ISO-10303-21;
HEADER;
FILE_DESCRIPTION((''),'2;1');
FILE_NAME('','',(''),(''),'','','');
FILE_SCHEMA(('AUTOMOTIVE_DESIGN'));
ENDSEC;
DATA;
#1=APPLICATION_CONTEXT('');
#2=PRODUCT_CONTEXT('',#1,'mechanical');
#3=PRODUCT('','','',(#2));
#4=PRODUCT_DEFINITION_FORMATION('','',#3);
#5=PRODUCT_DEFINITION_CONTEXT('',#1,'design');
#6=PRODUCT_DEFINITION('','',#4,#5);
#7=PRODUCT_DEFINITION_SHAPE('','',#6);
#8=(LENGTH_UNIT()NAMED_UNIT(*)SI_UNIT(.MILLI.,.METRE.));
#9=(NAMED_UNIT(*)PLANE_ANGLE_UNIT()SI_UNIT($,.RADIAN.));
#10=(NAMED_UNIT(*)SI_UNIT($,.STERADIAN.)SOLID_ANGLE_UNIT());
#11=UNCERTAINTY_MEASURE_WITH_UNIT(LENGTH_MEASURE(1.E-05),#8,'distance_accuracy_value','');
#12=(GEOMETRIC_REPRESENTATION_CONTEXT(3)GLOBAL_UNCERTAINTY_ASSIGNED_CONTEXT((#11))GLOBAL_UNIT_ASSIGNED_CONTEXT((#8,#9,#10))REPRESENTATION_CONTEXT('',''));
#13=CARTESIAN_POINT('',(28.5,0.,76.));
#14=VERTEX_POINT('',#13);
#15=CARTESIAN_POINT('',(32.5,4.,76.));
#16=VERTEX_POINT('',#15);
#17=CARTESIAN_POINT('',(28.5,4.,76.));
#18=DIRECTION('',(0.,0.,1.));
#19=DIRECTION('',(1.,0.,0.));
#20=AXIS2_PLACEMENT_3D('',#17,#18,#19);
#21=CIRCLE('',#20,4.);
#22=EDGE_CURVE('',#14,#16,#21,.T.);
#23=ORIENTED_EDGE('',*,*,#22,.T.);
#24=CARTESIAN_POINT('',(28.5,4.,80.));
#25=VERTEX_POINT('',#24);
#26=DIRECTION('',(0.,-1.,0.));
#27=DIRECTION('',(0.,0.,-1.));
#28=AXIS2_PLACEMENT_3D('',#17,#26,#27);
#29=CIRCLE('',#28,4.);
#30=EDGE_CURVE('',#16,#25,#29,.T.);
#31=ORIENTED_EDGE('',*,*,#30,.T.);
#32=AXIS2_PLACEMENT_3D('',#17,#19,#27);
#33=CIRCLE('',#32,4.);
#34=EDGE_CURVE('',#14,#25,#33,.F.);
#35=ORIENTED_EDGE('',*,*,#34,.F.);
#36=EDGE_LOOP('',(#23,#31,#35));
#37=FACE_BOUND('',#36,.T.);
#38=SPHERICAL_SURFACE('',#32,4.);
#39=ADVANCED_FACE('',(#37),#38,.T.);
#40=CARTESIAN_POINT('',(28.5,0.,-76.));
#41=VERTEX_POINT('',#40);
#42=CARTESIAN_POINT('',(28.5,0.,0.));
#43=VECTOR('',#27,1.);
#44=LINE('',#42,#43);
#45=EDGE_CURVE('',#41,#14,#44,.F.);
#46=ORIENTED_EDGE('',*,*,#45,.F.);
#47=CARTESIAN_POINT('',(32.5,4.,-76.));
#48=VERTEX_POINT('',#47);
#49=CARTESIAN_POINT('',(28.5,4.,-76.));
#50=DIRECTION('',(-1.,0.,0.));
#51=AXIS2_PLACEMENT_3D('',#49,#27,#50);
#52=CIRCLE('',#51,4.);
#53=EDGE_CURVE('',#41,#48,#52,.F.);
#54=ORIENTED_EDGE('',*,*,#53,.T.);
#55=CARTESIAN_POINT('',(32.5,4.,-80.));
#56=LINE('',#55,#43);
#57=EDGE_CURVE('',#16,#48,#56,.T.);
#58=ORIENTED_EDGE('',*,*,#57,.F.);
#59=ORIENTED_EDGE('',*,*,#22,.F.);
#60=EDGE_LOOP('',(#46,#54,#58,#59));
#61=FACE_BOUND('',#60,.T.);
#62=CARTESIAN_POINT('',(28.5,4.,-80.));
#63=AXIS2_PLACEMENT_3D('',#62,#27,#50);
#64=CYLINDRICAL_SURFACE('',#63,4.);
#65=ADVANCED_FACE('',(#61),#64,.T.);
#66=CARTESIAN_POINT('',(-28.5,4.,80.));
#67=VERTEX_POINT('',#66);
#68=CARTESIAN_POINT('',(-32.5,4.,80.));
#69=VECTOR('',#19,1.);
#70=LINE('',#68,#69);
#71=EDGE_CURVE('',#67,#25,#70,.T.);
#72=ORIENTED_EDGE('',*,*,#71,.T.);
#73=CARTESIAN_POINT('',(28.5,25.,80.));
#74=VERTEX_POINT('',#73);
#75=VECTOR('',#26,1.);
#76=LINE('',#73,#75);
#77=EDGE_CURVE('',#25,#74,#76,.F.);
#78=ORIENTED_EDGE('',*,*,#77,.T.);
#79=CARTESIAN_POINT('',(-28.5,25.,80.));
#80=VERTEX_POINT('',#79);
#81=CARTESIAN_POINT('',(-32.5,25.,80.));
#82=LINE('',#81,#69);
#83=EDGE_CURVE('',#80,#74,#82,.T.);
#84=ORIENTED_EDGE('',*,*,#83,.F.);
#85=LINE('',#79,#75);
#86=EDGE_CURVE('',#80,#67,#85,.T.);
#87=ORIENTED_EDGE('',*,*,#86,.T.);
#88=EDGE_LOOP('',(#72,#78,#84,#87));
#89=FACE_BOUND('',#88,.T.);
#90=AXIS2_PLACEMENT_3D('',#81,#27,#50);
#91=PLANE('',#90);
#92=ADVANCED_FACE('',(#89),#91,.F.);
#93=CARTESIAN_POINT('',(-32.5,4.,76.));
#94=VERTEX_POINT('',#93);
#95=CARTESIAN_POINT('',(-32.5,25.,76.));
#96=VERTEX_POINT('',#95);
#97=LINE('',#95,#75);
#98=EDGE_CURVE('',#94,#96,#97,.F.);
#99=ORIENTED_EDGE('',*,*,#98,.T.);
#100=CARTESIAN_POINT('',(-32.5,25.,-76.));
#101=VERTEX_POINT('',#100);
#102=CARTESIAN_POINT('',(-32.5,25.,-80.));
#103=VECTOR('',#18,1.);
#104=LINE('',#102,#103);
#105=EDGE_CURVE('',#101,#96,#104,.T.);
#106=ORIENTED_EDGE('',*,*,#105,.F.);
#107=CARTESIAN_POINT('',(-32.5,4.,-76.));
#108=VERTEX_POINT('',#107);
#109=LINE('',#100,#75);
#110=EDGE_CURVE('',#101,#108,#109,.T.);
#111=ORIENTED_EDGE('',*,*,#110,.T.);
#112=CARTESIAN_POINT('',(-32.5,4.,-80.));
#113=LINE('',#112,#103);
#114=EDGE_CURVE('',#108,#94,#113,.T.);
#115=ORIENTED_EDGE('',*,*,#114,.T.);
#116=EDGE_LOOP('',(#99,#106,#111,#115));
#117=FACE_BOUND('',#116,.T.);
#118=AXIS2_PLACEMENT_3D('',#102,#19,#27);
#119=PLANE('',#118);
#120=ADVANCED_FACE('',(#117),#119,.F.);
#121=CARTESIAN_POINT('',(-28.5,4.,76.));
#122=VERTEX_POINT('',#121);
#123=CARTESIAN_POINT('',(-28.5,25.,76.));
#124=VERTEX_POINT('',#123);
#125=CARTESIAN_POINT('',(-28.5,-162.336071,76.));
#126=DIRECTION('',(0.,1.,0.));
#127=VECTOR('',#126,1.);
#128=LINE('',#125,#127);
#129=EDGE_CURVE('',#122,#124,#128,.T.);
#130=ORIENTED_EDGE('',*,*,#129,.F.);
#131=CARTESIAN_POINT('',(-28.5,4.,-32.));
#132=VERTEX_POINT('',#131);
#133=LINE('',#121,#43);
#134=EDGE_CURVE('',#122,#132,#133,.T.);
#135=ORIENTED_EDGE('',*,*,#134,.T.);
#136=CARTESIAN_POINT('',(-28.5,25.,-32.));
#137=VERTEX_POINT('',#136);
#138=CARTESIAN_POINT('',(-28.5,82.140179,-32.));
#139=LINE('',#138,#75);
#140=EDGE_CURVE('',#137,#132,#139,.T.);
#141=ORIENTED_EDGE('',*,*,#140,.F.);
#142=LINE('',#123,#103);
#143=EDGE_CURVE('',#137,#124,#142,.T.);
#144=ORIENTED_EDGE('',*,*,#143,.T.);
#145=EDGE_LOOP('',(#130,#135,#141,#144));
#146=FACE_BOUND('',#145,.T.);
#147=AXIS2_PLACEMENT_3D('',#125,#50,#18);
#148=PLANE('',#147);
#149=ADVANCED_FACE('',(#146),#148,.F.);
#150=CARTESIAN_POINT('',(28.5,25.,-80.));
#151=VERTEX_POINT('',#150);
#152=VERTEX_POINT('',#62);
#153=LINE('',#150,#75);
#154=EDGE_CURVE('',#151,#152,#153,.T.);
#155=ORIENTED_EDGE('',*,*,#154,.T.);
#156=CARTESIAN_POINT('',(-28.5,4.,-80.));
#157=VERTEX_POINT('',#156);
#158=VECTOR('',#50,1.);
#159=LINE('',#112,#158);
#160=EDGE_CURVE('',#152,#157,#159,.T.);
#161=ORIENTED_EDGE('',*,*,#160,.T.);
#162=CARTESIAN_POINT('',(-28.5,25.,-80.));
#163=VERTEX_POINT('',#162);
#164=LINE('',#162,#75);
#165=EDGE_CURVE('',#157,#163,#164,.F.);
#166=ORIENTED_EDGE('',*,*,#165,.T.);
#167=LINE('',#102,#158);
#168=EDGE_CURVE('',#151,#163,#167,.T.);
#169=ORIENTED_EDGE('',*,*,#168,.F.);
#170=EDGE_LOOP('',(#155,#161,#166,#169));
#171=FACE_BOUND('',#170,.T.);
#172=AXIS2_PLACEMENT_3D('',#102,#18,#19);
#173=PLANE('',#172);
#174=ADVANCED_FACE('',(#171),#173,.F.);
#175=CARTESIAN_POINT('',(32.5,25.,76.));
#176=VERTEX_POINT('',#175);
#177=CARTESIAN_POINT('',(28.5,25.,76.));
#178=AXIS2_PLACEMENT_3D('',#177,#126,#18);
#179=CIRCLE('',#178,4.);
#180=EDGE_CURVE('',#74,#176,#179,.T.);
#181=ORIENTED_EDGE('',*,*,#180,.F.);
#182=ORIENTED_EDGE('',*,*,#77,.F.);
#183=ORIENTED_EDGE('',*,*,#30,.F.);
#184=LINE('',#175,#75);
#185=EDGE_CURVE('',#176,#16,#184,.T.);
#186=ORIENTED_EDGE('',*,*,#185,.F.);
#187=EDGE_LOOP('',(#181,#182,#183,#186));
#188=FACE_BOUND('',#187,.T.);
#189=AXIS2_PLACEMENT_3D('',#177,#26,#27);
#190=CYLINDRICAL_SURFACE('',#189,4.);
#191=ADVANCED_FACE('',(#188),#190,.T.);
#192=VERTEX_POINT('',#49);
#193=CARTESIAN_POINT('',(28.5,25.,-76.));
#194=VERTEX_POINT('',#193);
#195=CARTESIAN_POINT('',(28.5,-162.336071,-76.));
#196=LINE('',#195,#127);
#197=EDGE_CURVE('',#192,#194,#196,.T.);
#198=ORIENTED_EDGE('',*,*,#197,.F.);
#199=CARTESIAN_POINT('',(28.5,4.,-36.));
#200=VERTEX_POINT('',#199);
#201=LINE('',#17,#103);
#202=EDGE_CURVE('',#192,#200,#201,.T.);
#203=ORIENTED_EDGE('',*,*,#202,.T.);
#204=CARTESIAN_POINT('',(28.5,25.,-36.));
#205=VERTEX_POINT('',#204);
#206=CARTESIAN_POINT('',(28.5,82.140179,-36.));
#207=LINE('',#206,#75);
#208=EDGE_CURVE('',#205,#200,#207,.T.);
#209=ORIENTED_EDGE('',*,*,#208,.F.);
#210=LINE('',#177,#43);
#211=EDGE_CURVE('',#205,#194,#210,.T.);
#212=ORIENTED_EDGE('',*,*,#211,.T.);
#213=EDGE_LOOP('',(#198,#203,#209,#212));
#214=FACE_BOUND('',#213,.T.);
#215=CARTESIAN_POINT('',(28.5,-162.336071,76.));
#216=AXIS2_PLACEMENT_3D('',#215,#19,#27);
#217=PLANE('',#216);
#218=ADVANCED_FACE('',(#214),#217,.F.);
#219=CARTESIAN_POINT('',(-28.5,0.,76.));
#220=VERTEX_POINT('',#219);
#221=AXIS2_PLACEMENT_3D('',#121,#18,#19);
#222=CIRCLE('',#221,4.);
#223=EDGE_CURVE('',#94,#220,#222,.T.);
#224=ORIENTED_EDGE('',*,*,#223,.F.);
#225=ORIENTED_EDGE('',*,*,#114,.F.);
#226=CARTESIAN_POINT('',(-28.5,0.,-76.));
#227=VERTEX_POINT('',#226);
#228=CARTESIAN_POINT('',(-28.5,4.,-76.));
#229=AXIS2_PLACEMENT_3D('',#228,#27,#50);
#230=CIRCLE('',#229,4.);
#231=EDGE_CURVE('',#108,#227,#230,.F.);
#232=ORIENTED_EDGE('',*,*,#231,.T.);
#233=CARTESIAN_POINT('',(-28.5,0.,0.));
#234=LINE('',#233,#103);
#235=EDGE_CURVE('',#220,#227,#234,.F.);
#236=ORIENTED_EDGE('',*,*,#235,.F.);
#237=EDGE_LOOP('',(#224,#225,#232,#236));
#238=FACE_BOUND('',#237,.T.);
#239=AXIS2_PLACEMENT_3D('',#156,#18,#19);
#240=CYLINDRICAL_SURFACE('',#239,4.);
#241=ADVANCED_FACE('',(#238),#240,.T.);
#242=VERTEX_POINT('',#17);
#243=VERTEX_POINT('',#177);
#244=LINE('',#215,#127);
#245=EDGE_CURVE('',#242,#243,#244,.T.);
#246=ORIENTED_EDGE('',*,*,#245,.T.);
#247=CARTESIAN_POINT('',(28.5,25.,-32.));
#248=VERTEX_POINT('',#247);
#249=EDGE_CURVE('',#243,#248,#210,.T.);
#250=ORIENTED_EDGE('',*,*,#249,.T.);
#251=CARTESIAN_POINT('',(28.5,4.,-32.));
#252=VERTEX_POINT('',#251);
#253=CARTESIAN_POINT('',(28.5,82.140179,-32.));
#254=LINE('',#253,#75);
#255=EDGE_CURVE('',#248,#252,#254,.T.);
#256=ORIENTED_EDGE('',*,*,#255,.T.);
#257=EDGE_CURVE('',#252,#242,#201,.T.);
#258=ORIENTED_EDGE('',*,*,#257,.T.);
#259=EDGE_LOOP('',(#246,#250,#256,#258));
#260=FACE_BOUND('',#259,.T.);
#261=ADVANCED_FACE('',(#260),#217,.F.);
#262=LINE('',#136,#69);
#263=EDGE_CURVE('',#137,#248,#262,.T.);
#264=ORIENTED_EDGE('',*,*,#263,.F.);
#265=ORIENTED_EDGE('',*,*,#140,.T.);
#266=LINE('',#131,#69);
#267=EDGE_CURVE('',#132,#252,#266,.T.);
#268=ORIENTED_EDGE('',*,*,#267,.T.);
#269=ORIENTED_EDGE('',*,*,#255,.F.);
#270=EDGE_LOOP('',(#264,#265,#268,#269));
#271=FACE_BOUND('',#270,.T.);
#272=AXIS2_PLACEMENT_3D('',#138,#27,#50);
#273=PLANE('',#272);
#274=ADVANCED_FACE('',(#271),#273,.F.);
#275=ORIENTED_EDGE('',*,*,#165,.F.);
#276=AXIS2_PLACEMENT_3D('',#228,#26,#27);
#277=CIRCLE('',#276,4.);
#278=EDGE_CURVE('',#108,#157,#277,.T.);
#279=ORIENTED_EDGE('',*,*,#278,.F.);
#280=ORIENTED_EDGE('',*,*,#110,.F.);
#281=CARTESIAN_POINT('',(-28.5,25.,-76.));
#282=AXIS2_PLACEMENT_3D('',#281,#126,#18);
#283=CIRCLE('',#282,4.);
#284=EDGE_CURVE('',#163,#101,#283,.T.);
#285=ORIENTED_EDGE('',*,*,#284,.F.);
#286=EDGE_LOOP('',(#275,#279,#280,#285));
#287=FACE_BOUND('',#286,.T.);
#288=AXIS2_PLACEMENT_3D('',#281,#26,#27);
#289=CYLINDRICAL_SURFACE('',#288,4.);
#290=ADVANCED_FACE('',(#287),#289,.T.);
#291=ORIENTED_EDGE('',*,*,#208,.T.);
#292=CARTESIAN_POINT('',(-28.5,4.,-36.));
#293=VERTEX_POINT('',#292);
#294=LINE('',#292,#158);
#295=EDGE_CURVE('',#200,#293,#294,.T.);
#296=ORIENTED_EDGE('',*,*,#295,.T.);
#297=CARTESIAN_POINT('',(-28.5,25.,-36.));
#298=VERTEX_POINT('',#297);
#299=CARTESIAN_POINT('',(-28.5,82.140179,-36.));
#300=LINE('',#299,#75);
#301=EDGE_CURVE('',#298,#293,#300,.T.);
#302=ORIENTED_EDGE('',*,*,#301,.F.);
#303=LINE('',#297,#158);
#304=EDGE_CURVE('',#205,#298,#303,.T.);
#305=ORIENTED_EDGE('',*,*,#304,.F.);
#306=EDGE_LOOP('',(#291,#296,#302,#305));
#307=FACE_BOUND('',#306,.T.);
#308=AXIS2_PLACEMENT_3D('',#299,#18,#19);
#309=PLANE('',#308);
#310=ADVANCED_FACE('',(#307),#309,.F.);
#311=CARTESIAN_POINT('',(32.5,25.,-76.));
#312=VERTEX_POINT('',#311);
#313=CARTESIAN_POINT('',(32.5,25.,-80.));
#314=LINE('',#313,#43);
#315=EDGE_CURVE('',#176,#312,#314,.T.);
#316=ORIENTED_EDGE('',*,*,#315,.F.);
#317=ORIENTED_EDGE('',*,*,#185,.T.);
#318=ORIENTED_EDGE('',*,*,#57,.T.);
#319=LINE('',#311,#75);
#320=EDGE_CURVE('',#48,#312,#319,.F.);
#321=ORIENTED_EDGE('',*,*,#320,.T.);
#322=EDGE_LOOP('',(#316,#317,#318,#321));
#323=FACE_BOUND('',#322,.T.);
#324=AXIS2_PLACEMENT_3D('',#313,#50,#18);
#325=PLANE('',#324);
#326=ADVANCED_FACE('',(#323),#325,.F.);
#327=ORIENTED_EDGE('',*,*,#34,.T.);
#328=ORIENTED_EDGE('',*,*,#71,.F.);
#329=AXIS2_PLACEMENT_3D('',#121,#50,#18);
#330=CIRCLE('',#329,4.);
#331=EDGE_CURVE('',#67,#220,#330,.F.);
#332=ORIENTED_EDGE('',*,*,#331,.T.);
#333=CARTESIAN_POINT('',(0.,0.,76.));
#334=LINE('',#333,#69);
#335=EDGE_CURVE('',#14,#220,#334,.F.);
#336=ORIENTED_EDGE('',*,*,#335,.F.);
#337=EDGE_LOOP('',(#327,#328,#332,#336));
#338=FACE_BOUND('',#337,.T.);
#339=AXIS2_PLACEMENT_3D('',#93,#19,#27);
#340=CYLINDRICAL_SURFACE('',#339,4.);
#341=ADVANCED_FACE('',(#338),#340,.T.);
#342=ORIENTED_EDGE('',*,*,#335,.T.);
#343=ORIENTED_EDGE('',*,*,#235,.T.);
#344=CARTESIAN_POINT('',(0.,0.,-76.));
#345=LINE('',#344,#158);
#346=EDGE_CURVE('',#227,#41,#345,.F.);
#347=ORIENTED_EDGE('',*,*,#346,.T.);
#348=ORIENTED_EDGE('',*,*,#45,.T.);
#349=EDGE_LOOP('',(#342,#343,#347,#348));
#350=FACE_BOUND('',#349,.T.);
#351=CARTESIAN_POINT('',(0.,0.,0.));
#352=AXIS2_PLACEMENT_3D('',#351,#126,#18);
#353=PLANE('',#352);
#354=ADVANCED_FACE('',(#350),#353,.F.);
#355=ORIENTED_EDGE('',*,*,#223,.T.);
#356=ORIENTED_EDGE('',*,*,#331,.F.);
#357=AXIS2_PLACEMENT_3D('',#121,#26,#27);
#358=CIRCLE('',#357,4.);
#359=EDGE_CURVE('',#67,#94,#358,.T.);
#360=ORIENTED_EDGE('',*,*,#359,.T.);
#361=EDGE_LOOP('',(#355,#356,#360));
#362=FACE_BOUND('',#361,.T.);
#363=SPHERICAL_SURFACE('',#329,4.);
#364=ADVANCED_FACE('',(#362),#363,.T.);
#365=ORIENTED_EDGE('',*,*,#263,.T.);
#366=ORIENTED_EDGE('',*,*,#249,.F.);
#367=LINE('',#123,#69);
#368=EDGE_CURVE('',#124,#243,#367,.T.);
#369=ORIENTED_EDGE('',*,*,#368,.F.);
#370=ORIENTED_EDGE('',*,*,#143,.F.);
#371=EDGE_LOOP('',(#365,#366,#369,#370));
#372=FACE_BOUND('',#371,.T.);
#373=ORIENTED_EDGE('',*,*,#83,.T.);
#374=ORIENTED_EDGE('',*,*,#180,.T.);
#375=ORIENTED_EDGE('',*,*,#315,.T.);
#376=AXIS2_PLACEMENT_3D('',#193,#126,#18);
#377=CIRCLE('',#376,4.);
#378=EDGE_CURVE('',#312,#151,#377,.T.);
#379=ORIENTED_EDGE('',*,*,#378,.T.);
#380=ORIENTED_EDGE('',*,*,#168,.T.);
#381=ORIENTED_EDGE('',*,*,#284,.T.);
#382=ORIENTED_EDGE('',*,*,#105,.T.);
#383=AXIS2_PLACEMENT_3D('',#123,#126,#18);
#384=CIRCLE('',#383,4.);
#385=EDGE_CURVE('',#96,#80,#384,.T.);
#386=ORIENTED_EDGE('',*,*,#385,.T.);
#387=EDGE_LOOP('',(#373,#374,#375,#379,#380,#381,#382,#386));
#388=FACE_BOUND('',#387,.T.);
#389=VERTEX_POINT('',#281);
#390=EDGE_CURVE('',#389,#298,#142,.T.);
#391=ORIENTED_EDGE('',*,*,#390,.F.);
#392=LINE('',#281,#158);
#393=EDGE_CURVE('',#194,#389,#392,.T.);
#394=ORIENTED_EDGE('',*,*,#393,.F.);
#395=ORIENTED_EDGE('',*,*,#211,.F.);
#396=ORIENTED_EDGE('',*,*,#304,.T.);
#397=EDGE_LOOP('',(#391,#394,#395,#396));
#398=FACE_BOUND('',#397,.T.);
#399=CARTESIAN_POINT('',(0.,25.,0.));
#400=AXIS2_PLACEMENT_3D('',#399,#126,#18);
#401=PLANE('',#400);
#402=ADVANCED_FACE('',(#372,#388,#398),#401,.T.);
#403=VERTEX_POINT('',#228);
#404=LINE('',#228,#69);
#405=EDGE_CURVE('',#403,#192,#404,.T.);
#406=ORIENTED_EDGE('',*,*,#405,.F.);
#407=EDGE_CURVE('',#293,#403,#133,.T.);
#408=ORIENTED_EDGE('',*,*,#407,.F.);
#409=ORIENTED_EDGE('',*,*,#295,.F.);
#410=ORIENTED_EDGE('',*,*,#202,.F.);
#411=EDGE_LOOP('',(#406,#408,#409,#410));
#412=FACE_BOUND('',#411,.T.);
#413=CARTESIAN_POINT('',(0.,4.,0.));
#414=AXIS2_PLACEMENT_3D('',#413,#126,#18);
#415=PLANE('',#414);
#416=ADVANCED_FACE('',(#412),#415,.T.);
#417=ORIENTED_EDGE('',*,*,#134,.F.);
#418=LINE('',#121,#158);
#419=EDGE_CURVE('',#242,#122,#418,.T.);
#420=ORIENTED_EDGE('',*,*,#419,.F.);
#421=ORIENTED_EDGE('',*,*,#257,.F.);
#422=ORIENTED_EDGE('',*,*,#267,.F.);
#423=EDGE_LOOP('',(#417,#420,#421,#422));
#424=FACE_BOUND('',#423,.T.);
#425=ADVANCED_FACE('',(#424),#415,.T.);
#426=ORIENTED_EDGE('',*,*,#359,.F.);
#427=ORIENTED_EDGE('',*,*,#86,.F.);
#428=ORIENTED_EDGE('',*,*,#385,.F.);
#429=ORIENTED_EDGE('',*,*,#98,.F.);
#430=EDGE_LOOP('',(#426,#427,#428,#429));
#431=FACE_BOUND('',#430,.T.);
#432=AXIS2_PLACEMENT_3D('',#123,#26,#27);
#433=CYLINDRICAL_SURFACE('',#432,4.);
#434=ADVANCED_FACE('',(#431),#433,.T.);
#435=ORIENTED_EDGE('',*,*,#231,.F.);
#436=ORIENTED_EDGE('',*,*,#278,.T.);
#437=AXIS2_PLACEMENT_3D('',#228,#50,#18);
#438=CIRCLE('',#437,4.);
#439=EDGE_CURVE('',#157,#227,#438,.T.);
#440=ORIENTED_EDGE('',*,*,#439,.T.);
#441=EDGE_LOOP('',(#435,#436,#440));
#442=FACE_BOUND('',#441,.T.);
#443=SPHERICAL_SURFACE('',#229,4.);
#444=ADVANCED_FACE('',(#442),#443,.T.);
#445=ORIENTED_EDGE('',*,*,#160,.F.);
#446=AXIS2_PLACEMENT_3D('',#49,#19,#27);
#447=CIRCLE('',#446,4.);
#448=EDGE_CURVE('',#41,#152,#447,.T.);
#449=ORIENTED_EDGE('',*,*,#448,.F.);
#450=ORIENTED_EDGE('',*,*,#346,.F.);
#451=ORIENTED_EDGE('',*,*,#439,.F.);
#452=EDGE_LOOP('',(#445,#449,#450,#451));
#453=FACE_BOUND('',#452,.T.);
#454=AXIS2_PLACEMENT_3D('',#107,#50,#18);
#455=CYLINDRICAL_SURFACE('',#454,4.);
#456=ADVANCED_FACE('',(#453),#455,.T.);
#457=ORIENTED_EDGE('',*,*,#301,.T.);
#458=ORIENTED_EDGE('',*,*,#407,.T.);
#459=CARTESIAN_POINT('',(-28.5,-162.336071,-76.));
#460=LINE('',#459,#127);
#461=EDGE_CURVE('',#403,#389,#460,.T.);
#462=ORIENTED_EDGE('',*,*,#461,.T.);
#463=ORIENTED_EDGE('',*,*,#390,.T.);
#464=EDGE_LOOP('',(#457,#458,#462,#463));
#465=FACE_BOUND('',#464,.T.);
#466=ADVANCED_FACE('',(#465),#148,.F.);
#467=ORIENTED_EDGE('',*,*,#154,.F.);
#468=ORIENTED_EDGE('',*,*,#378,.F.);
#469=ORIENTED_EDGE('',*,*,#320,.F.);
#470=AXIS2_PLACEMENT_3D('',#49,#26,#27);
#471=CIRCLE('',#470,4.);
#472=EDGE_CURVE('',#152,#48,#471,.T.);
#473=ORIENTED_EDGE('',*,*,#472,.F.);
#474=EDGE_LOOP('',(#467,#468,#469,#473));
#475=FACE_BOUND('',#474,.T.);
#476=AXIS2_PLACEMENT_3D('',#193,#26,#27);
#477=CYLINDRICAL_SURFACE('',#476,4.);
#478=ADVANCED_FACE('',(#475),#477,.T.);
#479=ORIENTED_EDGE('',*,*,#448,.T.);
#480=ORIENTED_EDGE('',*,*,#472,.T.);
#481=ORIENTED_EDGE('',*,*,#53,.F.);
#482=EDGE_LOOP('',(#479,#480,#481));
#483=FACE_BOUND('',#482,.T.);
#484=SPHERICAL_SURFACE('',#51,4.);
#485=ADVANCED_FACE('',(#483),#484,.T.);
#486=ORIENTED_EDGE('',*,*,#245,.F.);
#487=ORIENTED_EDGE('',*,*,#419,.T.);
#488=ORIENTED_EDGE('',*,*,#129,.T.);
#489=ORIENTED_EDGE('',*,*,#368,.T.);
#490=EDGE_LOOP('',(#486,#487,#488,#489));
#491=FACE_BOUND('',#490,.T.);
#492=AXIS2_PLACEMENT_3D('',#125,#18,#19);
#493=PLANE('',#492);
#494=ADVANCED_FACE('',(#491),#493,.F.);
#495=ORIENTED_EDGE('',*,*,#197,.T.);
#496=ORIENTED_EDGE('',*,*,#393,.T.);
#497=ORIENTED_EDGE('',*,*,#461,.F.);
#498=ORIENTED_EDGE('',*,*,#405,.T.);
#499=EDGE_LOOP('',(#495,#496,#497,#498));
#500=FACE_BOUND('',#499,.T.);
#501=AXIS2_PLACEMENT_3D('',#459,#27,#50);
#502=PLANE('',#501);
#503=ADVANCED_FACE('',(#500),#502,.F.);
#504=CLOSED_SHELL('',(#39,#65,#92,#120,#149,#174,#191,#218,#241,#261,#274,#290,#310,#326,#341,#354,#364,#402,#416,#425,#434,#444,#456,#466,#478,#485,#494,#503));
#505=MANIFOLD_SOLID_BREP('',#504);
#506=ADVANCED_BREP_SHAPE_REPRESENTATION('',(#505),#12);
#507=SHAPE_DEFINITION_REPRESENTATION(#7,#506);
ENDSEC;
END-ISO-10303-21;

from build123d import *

# Parameters (mm, degrees)
SKETCH2_W          = 65
SKETCH2_H          = 160
BASE_DEPTH         = 25
SKETCH3_W          = 57
SKETCH3_H          = 152
INSIDE_SPACE_DEPTH = 21
SKETCH4_W          = 57
SKETCH4_H          = 4
BATTERY_WALL_DEPTH = 21
FILLET1_R          = 4


with BuildPart() as part:
    # Sketch2 → Base (new body)
    with BuildSketch(Plane(origin=(0, 0, 0), x_dir=(1, 0, 0), z_dir=(0, 1, 0))):
        Rectangle(SKETCH2_W, SKETCH2_H)
    extrude(amount=BASE_DEPTH)

    # Sketch3 → Inside Space (cut)
    with BuildSketch(Plane(origin=(0, 25, 0), x_dir=(1, 0, 0), z_dir=(0, 1, 0))):
        Rectangle(SKETCH3_W, SKETCH3_H)
    extrude(amount=-INSIDE_SPACE_DEPTH, mode=Mode.SUBTRACT)

    # Sketch4 → Battery Wall (add)
    with BuildSketch(Plane(origin=(0, 4, 0), x_dir=(1, 0, 0), z_dir=(0, 1, 0))):
        with Locations((0, 34)):
            Rectangle(SKETCH4_W, SKETCH4_H)
    extrude(amount=BATTERY_WALL_DEPTH)

    # Fillet1
    fillet1_edges = [part.edges().sort_by_distance(p)[0] for p in [
        (0, 0, -80),
        (32.5, 0, 0),
        (0, 0, 80),
        (-32.5, 0, 0),
        (-32.5, 12.5, -80),
        (32.5, 12.5, -80),
        (32.5, 12.5, 80),
        (-32.5, 12.5, 80),
    ]]
    fillet(fillet1_edges, radius=FILLET1_R)


solid = part.part
